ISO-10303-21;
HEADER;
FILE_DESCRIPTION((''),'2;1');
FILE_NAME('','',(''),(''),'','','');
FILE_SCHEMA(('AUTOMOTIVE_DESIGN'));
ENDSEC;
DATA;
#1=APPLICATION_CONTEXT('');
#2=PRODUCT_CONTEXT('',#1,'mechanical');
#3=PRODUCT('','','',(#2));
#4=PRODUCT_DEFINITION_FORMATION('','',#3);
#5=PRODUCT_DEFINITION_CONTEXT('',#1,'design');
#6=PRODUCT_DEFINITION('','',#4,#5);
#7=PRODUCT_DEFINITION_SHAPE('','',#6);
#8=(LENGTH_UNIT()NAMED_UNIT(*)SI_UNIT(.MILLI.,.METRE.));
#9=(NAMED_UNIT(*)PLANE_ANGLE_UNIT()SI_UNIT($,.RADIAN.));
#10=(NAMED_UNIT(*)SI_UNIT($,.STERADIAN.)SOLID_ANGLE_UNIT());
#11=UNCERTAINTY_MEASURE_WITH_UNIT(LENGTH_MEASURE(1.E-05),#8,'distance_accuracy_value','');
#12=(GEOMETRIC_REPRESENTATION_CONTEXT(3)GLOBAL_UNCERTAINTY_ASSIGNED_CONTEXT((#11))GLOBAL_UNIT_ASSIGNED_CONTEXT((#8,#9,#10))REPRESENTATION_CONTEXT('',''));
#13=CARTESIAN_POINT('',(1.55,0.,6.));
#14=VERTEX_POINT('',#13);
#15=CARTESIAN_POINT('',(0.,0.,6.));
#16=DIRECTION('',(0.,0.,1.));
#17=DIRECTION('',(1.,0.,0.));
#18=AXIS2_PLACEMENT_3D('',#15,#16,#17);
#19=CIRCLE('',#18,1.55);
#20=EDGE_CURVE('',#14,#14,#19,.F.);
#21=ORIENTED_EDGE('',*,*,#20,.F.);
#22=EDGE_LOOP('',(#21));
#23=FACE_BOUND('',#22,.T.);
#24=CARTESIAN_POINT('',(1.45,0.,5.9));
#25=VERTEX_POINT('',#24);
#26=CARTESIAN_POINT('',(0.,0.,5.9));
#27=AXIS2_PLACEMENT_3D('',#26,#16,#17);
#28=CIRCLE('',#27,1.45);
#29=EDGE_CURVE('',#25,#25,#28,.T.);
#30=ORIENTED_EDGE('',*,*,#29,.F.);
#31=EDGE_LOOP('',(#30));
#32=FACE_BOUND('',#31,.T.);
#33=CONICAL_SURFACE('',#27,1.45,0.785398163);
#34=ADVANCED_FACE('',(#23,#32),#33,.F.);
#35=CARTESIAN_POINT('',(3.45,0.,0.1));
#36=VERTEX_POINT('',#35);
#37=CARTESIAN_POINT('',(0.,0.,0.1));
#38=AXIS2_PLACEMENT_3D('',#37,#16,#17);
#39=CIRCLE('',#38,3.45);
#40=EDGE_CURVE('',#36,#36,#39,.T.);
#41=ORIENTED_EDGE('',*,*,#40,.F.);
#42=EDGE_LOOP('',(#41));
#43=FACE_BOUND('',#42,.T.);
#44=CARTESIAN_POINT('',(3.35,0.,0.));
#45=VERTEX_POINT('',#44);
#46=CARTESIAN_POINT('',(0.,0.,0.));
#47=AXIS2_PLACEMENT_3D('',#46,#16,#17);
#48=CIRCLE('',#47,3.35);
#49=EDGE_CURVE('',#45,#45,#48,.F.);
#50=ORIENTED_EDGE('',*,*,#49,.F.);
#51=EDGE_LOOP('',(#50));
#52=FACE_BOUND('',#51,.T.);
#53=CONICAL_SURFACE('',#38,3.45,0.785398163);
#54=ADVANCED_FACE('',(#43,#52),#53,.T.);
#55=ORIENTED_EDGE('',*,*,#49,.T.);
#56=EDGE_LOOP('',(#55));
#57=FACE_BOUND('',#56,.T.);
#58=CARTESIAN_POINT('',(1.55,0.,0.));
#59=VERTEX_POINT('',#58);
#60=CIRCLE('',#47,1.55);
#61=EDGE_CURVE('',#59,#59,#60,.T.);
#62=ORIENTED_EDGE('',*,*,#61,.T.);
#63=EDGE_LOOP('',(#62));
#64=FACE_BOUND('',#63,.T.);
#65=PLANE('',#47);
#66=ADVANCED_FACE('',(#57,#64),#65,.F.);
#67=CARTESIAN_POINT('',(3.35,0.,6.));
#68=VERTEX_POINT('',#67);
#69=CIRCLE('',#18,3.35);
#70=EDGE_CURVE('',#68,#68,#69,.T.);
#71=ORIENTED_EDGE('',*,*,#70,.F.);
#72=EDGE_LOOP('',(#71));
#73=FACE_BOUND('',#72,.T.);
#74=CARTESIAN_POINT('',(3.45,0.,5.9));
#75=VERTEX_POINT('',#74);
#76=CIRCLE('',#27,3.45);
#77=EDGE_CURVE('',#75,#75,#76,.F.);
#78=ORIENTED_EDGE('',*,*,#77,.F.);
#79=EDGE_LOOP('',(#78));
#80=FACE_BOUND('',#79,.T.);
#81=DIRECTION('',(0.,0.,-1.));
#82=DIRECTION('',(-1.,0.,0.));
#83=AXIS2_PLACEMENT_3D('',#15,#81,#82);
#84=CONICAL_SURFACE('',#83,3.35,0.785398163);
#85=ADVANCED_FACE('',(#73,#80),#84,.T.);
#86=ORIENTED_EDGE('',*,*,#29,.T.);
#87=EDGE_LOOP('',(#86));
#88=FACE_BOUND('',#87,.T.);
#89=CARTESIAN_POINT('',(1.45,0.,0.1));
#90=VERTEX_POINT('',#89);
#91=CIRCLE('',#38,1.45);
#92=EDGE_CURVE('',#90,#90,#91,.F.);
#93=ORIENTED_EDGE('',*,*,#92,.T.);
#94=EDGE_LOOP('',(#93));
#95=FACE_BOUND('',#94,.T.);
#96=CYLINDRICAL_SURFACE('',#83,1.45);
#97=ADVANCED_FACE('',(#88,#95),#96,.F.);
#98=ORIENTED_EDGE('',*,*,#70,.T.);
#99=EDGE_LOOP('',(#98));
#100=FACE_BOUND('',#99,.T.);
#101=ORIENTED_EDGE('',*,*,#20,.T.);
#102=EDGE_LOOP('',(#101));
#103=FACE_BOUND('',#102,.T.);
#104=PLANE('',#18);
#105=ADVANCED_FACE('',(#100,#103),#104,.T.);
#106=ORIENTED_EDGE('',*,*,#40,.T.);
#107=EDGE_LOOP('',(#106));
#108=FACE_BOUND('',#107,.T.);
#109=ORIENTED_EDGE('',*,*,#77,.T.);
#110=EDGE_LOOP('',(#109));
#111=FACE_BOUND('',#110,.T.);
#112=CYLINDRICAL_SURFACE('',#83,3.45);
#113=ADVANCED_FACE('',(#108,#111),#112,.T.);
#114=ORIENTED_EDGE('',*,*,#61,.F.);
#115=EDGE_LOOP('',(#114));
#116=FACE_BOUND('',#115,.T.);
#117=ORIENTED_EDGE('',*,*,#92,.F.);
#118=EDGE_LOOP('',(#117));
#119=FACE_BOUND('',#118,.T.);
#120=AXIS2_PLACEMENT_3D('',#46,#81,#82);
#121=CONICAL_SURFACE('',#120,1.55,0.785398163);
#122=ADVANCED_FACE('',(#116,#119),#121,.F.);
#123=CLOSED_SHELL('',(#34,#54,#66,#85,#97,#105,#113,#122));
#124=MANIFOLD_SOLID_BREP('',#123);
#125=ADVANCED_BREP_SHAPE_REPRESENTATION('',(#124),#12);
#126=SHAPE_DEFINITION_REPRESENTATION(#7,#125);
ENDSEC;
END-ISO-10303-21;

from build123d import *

# Parameters (mm, degrees)
SKETCH1_R           = 3.45
SKETCH1_R_2         = 1.45
BOSS_EXTRUDE1_DEPTH = 6
CHAMFER1_SIZE       = 0.1


with BuildPart() as part:
    # Sketch1 → Boss-Extrude1 (new body)
    with BuildSketch(Plane.XY):
        Circle(SKETCH1_R)
        Circle(SKETCH1_R_2, mode=Mode.SUBTRACT)
    extrude(amount=BOSS_EXTRUDE1_DEPTH)

    # Chamfer1
    chamfer1_edges = [part.edges().sort_by_distance(p)[0] for p in [
        (-3.45, 0, 0),
        (-3.45, 0, 6),
        (-1.45, 0, 0),
        (-1.45, 0, 6),
    ]]
    chamfer(chamfer1_edges, length=CHAMFER1_SIZE)


solid = part.part
